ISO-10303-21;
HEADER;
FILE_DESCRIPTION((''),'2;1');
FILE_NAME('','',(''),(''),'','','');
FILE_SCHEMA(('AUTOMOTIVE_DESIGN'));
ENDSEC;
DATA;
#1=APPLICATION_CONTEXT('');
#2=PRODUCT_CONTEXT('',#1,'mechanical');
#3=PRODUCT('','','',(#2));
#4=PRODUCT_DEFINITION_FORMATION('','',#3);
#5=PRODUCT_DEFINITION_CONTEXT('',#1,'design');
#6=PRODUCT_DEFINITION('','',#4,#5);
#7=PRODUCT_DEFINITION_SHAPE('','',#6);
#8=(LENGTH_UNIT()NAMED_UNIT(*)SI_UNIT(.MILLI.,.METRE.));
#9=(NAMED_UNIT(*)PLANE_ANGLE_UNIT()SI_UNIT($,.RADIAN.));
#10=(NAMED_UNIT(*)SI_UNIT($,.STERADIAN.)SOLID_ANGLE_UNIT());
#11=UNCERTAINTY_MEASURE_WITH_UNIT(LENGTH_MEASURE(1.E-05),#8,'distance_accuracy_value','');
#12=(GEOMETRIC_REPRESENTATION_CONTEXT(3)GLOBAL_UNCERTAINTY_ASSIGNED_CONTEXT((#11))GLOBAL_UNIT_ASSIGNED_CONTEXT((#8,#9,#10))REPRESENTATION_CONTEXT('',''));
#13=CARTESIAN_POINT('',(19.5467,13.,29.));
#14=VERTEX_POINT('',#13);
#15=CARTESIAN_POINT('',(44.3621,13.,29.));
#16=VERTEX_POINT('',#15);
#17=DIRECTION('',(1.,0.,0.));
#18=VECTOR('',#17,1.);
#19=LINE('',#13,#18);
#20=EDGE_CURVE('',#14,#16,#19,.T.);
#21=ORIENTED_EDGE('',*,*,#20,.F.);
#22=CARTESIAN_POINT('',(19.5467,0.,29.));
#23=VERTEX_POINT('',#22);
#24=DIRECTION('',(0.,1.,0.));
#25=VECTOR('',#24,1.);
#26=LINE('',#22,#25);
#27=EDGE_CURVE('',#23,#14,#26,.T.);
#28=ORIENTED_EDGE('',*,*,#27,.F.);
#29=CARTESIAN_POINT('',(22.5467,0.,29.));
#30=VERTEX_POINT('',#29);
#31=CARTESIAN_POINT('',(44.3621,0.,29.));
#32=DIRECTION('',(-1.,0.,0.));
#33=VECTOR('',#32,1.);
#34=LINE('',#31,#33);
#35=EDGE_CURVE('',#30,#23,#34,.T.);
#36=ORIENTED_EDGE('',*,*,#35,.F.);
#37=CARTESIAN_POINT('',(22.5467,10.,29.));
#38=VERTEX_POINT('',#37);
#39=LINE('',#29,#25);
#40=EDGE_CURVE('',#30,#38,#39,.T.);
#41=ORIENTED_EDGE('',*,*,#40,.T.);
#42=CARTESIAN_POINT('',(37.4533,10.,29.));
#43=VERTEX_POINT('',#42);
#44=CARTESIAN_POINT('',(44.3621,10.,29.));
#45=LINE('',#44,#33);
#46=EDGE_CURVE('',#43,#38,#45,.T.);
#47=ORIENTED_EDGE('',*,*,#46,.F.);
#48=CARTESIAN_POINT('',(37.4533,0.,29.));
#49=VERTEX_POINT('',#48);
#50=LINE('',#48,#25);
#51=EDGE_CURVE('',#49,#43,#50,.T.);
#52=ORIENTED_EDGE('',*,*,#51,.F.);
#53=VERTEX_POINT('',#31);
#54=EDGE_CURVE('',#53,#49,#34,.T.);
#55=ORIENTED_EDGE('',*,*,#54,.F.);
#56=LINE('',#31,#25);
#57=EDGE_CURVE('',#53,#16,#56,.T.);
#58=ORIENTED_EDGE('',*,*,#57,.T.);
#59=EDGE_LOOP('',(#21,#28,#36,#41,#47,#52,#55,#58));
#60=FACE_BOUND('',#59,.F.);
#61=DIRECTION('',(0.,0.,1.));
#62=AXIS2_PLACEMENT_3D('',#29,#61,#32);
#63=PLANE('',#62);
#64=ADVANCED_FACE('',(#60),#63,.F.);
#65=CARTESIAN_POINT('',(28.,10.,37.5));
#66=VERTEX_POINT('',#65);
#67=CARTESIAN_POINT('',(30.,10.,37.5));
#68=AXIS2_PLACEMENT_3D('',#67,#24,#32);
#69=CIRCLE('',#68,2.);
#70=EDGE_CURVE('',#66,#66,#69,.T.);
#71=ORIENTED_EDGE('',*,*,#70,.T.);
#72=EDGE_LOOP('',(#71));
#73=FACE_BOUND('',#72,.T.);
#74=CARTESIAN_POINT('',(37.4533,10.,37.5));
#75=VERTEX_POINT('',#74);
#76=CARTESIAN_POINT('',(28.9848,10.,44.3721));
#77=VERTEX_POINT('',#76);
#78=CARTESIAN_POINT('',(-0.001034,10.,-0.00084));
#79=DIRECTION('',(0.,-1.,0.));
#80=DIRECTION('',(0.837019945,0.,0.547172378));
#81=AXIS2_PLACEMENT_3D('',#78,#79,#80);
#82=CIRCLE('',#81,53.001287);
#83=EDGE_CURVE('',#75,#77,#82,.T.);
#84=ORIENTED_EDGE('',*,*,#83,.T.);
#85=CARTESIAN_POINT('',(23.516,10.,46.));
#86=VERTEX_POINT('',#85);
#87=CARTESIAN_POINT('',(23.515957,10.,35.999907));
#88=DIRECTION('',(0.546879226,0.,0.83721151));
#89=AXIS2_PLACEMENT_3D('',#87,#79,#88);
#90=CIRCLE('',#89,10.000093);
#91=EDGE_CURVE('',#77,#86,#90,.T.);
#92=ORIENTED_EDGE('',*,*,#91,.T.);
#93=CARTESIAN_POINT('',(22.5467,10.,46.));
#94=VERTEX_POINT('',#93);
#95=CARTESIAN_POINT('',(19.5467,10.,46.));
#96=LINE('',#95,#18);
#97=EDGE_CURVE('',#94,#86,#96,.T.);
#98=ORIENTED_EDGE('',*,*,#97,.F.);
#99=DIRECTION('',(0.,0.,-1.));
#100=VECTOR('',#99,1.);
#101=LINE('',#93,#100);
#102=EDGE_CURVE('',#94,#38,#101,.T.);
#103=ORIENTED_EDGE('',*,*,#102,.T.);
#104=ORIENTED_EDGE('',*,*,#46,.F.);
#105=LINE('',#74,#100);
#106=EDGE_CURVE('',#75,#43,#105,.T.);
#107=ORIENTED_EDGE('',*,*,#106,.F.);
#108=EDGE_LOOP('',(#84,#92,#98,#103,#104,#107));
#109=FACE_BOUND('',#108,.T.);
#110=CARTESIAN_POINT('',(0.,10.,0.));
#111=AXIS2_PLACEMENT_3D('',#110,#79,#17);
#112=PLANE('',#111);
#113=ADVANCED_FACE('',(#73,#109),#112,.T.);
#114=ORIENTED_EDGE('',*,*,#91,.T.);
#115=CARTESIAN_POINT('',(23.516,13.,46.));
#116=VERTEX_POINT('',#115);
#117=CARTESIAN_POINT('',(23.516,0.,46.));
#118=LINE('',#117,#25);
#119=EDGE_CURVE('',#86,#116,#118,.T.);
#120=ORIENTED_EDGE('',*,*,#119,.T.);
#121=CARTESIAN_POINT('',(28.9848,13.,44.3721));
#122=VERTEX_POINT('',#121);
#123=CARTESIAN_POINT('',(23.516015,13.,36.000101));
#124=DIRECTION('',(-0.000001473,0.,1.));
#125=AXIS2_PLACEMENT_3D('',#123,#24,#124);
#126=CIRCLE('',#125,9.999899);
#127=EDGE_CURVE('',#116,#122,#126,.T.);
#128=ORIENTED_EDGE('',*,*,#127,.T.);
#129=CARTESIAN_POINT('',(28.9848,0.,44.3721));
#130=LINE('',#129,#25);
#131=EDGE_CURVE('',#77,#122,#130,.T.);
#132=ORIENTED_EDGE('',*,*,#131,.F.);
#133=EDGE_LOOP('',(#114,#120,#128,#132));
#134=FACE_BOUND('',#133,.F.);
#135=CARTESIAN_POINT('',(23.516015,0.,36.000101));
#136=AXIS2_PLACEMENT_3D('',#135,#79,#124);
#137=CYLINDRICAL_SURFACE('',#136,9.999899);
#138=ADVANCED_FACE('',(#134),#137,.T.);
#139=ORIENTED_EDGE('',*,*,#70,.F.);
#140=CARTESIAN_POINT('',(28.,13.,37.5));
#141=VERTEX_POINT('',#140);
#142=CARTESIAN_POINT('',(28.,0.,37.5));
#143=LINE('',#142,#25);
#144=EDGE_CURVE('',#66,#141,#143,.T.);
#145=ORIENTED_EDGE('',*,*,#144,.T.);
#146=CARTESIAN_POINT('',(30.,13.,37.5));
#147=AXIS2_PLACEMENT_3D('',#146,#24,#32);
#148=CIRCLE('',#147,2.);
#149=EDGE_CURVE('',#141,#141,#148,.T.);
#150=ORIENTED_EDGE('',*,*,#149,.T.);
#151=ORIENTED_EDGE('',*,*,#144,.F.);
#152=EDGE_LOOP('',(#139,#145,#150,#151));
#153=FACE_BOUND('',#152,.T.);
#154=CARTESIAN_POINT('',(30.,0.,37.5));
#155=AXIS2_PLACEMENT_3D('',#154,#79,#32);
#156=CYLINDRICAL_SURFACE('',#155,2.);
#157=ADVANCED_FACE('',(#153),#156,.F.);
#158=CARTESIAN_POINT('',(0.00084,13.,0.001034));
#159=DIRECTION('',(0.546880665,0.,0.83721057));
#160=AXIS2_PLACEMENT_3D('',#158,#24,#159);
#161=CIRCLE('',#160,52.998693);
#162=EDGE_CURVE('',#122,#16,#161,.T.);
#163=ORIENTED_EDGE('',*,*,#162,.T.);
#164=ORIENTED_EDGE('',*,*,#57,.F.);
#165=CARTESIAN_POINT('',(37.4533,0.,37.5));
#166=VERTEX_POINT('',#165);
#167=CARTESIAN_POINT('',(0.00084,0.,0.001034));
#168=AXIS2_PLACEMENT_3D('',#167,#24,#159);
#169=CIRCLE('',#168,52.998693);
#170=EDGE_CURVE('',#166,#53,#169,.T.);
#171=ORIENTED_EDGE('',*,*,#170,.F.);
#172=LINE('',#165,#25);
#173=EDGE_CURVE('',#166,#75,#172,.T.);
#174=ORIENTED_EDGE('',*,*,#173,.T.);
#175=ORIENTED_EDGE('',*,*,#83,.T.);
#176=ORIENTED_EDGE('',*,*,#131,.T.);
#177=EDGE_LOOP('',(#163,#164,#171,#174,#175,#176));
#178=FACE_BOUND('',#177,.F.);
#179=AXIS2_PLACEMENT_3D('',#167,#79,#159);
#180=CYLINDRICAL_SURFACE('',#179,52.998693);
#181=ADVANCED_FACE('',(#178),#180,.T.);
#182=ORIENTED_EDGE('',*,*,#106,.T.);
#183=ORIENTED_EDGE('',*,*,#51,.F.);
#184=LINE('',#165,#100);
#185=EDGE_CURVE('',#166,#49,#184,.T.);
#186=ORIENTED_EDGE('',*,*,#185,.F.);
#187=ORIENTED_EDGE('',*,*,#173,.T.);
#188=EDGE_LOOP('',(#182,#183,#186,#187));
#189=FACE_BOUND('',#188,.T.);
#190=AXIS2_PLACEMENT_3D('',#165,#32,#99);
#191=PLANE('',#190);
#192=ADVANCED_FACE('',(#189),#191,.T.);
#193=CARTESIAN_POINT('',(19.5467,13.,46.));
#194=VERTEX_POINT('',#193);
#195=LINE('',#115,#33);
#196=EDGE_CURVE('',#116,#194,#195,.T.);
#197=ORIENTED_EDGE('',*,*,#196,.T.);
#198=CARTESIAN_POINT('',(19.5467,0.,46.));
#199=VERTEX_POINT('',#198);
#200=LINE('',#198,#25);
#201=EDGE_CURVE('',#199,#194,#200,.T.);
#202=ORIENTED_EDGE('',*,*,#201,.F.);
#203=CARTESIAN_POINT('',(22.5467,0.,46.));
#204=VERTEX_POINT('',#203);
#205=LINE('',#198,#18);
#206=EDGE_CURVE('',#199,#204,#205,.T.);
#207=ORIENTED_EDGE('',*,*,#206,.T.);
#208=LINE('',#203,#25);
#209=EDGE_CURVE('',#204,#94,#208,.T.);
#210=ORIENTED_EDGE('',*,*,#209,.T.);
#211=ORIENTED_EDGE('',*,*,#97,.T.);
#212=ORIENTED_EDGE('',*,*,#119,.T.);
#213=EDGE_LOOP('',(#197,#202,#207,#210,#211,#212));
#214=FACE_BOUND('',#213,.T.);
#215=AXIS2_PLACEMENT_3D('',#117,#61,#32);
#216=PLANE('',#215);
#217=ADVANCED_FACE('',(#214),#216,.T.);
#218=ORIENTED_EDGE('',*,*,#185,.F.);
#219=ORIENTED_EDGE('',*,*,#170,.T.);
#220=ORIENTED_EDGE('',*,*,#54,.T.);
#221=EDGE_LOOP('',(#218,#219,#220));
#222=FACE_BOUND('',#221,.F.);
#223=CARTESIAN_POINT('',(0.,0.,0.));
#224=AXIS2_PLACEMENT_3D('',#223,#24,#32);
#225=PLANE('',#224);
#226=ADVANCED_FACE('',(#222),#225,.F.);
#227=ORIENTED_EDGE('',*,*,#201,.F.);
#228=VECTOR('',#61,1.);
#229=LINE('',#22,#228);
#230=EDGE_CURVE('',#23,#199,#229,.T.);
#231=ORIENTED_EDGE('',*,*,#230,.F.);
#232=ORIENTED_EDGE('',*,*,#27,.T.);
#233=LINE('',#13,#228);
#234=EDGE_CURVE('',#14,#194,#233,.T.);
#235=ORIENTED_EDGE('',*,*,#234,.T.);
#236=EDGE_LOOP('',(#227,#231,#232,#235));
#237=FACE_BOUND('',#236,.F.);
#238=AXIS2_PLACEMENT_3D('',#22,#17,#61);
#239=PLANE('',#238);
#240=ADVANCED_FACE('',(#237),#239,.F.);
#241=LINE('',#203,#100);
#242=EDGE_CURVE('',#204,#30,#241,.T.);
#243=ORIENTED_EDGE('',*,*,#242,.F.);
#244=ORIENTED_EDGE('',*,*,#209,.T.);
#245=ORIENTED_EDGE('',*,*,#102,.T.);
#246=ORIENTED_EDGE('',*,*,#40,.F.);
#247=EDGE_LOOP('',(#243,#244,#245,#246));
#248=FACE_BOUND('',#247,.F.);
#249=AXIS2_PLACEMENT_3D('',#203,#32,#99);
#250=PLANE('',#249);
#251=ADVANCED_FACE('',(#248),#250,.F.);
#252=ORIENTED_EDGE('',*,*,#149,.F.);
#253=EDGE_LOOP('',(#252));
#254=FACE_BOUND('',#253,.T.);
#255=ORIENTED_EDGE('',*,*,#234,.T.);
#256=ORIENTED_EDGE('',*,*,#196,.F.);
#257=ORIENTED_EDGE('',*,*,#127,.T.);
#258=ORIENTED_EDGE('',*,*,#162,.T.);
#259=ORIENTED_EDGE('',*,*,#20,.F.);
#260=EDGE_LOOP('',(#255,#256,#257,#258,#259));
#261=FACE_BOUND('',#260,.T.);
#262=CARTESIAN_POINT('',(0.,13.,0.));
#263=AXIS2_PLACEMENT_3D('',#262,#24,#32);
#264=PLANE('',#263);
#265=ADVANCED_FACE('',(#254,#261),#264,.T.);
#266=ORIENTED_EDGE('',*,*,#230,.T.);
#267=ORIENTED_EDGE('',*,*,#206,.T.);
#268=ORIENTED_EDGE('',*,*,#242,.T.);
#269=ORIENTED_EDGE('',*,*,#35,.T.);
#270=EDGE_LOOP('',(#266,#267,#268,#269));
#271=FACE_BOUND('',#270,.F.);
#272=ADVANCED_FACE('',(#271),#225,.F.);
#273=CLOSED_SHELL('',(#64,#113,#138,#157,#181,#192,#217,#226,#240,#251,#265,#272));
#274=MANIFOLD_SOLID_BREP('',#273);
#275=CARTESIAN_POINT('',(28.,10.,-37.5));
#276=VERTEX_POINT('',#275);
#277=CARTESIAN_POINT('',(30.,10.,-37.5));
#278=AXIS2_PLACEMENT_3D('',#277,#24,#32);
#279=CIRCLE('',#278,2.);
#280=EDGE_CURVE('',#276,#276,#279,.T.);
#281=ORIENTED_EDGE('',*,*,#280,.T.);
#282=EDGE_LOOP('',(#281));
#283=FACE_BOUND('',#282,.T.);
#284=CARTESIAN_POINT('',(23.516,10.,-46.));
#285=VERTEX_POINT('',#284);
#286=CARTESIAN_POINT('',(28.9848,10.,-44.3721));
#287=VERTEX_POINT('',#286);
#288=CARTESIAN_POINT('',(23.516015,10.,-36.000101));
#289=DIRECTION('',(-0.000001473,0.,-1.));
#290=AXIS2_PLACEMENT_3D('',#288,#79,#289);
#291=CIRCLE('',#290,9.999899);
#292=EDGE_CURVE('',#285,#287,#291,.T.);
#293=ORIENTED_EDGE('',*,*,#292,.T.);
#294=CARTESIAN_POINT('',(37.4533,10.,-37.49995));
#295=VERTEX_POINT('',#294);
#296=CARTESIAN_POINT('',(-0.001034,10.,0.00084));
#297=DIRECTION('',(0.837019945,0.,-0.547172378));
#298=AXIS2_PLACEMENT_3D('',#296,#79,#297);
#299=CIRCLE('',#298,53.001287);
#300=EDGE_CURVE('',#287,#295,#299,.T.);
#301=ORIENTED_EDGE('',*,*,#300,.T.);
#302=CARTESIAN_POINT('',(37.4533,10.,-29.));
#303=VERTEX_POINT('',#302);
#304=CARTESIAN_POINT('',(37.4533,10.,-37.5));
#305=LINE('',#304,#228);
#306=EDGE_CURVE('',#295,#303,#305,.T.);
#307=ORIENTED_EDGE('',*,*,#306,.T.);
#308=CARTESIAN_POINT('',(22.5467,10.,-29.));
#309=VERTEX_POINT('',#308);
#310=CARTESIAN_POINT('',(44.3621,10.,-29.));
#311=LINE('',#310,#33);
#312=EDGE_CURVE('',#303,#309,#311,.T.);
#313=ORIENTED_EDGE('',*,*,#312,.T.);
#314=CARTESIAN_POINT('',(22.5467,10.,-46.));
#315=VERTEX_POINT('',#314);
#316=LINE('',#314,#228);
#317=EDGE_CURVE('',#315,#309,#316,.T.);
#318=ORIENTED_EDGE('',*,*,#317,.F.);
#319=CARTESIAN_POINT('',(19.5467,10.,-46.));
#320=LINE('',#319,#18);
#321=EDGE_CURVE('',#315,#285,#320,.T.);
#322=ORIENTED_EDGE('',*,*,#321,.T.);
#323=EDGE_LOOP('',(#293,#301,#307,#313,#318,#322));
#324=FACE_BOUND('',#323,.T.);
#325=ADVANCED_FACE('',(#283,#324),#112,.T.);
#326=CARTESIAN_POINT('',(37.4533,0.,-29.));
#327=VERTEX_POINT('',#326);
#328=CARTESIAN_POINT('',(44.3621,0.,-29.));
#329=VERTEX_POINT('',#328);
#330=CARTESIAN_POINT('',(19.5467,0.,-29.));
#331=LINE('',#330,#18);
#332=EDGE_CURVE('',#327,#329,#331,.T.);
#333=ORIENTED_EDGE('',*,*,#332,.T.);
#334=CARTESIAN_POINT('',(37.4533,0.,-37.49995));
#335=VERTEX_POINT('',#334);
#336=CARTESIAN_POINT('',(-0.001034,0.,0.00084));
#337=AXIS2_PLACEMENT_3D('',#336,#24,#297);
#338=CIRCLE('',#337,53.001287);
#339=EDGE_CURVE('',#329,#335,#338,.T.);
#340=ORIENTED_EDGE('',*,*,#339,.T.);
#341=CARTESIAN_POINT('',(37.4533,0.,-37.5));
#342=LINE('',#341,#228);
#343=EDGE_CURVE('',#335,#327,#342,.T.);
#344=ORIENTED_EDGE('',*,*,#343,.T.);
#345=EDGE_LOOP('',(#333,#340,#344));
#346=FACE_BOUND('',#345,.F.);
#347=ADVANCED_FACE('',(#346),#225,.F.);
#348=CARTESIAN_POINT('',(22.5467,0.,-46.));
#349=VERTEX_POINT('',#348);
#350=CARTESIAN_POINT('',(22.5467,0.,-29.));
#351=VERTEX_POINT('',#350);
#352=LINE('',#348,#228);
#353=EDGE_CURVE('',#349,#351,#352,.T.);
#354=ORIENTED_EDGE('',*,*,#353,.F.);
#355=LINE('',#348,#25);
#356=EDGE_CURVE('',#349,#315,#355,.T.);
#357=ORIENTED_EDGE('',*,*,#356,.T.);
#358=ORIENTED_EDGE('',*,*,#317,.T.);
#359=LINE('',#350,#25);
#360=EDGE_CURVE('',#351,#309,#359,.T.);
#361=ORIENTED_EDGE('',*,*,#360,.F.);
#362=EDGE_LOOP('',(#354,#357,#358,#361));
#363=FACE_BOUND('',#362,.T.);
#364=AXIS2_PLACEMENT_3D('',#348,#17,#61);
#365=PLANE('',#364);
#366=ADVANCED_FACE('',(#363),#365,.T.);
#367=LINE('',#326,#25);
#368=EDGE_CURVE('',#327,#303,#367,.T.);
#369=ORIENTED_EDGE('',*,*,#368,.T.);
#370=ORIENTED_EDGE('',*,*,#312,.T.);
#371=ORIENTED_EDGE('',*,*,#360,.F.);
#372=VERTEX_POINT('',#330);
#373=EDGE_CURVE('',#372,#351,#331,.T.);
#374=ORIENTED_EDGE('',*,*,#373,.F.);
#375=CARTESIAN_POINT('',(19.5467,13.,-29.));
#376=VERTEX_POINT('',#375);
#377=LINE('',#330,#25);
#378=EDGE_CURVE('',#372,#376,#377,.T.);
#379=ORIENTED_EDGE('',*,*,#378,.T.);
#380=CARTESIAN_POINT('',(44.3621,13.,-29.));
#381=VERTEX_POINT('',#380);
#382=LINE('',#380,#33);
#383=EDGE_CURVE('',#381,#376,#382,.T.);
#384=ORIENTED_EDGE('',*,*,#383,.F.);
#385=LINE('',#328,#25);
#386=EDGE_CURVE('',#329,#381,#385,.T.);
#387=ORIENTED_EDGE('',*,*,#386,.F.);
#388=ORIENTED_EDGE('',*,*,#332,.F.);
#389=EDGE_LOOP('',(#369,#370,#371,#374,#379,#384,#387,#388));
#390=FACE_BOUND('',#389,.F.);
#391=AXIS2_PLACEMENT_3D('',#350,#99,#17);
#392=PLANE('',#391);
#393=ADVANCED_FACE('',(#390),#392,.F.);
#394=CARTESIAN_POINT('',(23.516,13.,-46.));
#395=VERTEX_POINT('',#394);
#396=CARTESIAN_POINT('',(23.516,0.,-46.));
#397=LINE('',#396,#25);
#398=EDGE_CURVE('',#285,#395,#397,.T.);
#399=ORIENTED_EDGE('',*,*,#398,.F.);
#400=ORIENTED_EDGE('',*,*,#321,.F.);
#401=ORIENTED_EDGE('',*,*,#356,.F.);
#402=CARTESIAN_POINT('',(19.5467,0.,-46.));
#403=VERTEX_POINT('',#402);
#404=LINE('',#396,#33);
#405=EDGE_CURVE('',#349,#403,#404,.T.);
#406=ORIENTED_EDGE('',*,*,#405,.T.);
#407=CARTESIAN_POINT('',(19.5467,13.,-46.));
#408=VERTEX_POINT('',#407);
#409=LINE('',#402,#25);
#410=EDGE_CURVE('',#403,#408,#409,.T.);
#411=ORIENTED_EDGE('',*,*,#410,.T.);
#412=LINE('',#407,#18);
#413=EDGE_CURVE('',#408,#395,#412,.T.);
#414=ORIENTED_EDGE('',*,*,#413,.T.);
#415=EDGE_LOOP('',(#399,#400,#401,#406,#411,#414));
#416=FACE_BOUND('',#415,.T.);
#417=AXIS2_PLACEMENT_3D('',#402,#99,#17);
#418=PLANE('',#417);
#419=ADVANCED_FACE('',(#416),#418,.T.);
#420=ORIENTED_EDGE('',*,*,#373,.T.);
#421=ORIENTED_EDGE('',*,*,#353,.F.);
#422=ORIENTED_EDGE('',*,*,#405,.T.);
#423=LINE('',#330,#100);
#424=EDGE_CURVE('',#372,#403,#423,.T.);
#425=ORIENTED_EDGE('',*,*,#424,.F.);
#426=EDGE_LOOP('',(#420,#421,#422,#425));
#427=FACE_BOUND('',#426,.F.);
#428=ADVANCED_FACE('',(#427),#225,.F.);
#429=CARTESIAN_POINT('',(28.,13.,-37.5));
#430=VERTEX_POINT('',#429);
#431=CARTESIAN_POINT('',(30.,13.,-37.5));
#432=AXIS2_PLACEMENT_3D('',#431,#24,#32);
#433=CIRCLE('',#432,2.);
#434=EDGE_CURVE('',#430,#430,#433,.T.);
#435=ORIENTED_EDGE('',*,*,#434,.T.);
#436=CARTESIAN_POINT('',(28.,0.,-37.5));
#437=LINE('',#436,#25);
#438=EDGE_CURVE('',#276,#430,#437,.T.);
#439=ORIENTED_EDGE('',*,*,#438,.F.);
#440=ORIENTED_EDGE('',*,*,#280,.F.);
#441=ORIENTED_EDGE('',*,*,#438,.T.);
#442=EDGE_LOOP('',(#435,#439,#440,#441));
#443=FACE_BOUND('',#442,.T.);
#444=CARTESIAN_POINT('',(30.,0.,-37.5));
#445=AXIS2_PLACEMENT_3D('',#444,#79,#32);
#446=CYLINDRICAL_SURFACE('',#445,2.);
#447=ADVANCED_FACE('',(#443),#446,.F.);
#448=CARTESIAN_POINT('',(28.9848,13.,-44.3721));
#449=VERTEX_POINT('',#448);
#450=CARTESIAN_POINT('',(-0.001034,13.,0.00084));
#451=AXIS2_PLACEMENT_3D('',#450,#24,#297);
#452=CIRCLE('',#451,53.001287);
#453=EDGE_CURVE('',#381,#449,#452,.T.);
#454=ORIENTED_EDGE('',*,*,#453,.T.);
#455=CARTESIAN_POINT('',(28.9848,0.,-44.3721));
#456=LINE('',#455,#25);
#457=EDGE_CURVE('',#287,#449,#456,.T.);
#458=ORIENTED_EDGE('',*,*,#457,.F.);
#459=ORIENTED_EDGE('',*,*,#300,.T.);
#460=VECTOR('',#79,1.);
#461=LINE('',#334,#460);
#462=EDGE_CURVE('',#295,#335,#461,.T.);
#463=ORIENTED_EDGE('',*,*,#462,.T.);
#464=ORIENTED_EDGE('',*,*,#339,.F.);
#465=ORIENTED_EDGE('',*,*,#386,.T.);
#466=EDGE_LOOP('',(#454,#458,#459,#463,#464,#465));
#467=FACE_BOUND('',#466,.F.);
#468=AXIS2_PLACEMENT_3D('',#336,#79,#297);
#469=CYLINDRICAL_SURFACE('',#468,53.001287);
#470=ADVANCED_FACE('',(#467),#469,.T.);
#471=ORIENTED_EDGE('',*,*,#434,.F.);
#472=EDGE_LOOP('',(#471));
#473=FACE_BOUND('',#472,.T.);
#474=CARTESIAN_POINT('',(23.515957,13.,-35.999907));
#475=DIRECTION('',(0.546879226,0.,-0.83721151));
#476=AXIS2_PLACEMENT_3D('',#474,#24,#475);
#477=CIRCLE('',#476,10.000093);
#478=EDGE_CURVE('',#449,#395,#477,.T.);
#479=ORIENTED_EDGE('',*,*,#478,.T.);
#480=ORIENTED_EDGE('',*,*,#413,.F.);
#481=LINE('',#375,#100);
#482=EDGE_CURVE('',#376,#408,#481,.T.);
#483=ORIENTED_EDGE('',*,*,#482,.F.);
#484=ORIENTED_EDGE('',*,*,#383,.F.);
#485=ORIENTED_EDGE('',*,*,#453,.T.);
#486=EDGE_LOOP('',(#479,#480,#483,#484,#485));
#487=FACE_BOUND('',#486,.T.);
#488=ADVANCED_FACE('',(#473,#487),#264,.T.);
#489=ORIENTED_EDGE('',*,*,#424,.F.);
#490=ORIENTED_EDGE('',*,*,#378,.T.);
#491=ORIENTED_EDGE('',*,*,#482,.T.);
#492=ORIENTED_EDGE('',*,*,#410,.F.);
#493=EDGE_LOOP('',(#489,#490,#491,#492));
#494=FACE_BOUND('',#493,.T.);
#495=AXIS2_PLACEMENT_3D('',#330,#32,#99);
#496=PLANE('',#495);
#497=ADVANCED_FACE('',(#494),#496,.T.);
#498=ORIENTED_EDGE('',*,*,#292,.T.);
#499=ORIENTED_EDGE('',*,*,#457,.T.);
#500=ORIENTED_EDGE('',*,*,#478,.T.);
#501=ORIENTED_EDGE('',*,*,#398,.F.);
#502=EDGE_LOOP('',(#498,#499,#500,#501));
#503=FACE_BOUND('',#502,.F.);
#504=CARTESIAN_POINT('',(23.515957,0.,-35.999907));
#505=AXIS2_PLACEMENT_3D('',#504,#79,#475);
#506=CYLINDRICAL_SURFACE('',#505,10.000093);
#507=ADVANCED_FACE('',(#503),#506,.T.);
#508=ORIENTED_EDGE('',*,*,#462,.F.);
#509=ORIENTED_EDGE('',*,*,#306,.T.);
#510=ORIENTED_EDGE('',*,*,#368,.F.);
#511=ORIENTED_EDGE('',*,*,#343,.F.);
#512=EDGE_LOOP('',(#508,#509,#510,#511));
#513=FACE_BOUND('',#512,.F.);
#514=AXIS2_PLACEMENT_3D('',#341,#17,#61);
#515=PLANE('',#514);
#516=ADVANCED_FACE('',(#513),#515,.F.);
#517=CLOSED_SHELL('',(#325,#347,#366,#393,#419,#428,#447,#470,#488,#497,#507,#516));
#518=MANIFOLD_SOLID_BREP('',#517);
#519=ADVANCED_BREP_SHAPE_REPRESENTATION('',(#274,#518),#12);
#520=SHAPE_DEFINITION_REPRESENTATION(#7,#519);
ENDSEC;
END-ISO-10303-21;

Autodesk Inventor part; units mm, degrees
ref_plane "YZ Plane" through (0, 0, 0) normal (1, 0, 0) x (0, 1, 0)
ref_plane "XZ Plane" through (0, 0, 0) normal (0, 1, 0) x (-1, 0, 0)
ref_plane "XY Plane" through (0, 0, 0) normal (0, 0, 1) x (1, 0, 0)
sketch "Sketch1" plane through (0, 0, 0) normal (0, 1, 0) x (-1, 0, 0)
  arc A0 (-44.3621, -29) -> (-28.9848, -44.3721) centre (0, 0) ccw
  arc A1 (-28.9848, -44.3721) -> (-23.516, -46) centre (-23.516, -36) ccw
  line L0 (-23.516, -46) -> (-22.5467, -46)
  circle A2 centre (-30, -37.5) radius 2
  line L1 (-22.5467, -37.5) -> (-22.5467, -46)
  line L2 (-22.5467, -29) -> (-44.3621, -29)
  line L3 (-22.5467, -29) -> (-19.5467, -29)
  line L4 (-19.5467, -29) -> (-19.5467, -46)
  line L5 (-19.5467, -46) -> (-22.5467, -46)
  line L6 (0, 0) -> (-2.4935, 0)
  arc A3 (-28.9848, 44.3721) -> (-44.3621, 29) centre (0, 0) ccw
  line L7 (-23.516, 46) -> (-22.5467, 46)
  arc A4 (-23.516, 46) -> (-28.9848, 44.3721) centre (-23.516, 36) ccw
  circle A5 centre (-30, 37.5) radius 2
  line L8 (-22.5467, 37.5) -> (-22.5467, 46)
  line L9 (-22.5467, 29) -> (-44.3621, 29)
  line L10 (-22.5467, 29) -> (-19.5467, 29)
  line L11 (-19.5467, 29) -> (-19.5467, 46)
  line L12 (-19.5467, 46) -> (-22.5467, 46)
  dimension "d0" = 3
extrude "Extrusion1" add sketch "Sketch1" along normal blind 13
sketch "Sketch2" plane through (0, 0, 0) normal (0, -1, 0) x (1, 0, 0)
  circle A0 centre (30, 37.5) radius 2
  arc A1 (44.3621, 29) -> (28.9848, 44.3721) centre (0, 0) ccw
  arc A2 (28.9848, 44.3721) -> (23.516, 46) centre (23.516, 36) ccw
  line L0 (19.5467, 46) -> (23.516, 46)
  line L1 (19.5467, 29) -> (19.5467, 46)
  line L2 (44.3621, 29) -> (19.5467, 29)
  line L3 (44.3621, 29) -> (19.5467, 29) projected
  line L4 (19.5467, 46) -> (22.5467, 46)
  line L5 (22.5467, 46) -> (22.5467, 29)
  line L6 (22.5467, 29) -> (19.5467, 29)
  line L7 (19.5467, 29) -> (19.5467, 46)
  line L8 (37.4533, 37.5) -> (37.4533, 29)
  line L9 (0, 0) -> (2.6946, 0)
  circle A3 centre (30, -37.5) radius 2
  arc A4 (28.9848, -44.3721) -> (44.3621, -29) centre (0, 0) ccw
  arc A5 (23.516, -46) -> (28.9848, -44.3721) centre (23.516, -36) ccw
  line L10 (19.5467, -46) -> (23.516, -46)
  line L11 (19.5467, -29) -> (19.5467, -46)
  line L12 (44.3621, -29) -> (19.5467, -29)
  line L13 (44.3621, -29) -> (19.5467, -29)
  line L14 (19.5467, -46) -> (22.5467, -46)
  line L15 (22.5467, -46) -> (22.5467, -29)
  line L16 (22.5467, -29) -> (19.5467, -29)
  line L17 (19.5467, -29) -> (19.5467, -46)
  line L18 (37.4533, -37.5) -> (37.4533, -29)
  dimension "d3" = 3
extrude "Extrusion2" cut sketch "Sketch2" against normal blind 10 contours L8 L2 L5 L0 A2 A1 | A5 L10 L15 L12 L18 A4
properties part number "Left Standoff Support"
